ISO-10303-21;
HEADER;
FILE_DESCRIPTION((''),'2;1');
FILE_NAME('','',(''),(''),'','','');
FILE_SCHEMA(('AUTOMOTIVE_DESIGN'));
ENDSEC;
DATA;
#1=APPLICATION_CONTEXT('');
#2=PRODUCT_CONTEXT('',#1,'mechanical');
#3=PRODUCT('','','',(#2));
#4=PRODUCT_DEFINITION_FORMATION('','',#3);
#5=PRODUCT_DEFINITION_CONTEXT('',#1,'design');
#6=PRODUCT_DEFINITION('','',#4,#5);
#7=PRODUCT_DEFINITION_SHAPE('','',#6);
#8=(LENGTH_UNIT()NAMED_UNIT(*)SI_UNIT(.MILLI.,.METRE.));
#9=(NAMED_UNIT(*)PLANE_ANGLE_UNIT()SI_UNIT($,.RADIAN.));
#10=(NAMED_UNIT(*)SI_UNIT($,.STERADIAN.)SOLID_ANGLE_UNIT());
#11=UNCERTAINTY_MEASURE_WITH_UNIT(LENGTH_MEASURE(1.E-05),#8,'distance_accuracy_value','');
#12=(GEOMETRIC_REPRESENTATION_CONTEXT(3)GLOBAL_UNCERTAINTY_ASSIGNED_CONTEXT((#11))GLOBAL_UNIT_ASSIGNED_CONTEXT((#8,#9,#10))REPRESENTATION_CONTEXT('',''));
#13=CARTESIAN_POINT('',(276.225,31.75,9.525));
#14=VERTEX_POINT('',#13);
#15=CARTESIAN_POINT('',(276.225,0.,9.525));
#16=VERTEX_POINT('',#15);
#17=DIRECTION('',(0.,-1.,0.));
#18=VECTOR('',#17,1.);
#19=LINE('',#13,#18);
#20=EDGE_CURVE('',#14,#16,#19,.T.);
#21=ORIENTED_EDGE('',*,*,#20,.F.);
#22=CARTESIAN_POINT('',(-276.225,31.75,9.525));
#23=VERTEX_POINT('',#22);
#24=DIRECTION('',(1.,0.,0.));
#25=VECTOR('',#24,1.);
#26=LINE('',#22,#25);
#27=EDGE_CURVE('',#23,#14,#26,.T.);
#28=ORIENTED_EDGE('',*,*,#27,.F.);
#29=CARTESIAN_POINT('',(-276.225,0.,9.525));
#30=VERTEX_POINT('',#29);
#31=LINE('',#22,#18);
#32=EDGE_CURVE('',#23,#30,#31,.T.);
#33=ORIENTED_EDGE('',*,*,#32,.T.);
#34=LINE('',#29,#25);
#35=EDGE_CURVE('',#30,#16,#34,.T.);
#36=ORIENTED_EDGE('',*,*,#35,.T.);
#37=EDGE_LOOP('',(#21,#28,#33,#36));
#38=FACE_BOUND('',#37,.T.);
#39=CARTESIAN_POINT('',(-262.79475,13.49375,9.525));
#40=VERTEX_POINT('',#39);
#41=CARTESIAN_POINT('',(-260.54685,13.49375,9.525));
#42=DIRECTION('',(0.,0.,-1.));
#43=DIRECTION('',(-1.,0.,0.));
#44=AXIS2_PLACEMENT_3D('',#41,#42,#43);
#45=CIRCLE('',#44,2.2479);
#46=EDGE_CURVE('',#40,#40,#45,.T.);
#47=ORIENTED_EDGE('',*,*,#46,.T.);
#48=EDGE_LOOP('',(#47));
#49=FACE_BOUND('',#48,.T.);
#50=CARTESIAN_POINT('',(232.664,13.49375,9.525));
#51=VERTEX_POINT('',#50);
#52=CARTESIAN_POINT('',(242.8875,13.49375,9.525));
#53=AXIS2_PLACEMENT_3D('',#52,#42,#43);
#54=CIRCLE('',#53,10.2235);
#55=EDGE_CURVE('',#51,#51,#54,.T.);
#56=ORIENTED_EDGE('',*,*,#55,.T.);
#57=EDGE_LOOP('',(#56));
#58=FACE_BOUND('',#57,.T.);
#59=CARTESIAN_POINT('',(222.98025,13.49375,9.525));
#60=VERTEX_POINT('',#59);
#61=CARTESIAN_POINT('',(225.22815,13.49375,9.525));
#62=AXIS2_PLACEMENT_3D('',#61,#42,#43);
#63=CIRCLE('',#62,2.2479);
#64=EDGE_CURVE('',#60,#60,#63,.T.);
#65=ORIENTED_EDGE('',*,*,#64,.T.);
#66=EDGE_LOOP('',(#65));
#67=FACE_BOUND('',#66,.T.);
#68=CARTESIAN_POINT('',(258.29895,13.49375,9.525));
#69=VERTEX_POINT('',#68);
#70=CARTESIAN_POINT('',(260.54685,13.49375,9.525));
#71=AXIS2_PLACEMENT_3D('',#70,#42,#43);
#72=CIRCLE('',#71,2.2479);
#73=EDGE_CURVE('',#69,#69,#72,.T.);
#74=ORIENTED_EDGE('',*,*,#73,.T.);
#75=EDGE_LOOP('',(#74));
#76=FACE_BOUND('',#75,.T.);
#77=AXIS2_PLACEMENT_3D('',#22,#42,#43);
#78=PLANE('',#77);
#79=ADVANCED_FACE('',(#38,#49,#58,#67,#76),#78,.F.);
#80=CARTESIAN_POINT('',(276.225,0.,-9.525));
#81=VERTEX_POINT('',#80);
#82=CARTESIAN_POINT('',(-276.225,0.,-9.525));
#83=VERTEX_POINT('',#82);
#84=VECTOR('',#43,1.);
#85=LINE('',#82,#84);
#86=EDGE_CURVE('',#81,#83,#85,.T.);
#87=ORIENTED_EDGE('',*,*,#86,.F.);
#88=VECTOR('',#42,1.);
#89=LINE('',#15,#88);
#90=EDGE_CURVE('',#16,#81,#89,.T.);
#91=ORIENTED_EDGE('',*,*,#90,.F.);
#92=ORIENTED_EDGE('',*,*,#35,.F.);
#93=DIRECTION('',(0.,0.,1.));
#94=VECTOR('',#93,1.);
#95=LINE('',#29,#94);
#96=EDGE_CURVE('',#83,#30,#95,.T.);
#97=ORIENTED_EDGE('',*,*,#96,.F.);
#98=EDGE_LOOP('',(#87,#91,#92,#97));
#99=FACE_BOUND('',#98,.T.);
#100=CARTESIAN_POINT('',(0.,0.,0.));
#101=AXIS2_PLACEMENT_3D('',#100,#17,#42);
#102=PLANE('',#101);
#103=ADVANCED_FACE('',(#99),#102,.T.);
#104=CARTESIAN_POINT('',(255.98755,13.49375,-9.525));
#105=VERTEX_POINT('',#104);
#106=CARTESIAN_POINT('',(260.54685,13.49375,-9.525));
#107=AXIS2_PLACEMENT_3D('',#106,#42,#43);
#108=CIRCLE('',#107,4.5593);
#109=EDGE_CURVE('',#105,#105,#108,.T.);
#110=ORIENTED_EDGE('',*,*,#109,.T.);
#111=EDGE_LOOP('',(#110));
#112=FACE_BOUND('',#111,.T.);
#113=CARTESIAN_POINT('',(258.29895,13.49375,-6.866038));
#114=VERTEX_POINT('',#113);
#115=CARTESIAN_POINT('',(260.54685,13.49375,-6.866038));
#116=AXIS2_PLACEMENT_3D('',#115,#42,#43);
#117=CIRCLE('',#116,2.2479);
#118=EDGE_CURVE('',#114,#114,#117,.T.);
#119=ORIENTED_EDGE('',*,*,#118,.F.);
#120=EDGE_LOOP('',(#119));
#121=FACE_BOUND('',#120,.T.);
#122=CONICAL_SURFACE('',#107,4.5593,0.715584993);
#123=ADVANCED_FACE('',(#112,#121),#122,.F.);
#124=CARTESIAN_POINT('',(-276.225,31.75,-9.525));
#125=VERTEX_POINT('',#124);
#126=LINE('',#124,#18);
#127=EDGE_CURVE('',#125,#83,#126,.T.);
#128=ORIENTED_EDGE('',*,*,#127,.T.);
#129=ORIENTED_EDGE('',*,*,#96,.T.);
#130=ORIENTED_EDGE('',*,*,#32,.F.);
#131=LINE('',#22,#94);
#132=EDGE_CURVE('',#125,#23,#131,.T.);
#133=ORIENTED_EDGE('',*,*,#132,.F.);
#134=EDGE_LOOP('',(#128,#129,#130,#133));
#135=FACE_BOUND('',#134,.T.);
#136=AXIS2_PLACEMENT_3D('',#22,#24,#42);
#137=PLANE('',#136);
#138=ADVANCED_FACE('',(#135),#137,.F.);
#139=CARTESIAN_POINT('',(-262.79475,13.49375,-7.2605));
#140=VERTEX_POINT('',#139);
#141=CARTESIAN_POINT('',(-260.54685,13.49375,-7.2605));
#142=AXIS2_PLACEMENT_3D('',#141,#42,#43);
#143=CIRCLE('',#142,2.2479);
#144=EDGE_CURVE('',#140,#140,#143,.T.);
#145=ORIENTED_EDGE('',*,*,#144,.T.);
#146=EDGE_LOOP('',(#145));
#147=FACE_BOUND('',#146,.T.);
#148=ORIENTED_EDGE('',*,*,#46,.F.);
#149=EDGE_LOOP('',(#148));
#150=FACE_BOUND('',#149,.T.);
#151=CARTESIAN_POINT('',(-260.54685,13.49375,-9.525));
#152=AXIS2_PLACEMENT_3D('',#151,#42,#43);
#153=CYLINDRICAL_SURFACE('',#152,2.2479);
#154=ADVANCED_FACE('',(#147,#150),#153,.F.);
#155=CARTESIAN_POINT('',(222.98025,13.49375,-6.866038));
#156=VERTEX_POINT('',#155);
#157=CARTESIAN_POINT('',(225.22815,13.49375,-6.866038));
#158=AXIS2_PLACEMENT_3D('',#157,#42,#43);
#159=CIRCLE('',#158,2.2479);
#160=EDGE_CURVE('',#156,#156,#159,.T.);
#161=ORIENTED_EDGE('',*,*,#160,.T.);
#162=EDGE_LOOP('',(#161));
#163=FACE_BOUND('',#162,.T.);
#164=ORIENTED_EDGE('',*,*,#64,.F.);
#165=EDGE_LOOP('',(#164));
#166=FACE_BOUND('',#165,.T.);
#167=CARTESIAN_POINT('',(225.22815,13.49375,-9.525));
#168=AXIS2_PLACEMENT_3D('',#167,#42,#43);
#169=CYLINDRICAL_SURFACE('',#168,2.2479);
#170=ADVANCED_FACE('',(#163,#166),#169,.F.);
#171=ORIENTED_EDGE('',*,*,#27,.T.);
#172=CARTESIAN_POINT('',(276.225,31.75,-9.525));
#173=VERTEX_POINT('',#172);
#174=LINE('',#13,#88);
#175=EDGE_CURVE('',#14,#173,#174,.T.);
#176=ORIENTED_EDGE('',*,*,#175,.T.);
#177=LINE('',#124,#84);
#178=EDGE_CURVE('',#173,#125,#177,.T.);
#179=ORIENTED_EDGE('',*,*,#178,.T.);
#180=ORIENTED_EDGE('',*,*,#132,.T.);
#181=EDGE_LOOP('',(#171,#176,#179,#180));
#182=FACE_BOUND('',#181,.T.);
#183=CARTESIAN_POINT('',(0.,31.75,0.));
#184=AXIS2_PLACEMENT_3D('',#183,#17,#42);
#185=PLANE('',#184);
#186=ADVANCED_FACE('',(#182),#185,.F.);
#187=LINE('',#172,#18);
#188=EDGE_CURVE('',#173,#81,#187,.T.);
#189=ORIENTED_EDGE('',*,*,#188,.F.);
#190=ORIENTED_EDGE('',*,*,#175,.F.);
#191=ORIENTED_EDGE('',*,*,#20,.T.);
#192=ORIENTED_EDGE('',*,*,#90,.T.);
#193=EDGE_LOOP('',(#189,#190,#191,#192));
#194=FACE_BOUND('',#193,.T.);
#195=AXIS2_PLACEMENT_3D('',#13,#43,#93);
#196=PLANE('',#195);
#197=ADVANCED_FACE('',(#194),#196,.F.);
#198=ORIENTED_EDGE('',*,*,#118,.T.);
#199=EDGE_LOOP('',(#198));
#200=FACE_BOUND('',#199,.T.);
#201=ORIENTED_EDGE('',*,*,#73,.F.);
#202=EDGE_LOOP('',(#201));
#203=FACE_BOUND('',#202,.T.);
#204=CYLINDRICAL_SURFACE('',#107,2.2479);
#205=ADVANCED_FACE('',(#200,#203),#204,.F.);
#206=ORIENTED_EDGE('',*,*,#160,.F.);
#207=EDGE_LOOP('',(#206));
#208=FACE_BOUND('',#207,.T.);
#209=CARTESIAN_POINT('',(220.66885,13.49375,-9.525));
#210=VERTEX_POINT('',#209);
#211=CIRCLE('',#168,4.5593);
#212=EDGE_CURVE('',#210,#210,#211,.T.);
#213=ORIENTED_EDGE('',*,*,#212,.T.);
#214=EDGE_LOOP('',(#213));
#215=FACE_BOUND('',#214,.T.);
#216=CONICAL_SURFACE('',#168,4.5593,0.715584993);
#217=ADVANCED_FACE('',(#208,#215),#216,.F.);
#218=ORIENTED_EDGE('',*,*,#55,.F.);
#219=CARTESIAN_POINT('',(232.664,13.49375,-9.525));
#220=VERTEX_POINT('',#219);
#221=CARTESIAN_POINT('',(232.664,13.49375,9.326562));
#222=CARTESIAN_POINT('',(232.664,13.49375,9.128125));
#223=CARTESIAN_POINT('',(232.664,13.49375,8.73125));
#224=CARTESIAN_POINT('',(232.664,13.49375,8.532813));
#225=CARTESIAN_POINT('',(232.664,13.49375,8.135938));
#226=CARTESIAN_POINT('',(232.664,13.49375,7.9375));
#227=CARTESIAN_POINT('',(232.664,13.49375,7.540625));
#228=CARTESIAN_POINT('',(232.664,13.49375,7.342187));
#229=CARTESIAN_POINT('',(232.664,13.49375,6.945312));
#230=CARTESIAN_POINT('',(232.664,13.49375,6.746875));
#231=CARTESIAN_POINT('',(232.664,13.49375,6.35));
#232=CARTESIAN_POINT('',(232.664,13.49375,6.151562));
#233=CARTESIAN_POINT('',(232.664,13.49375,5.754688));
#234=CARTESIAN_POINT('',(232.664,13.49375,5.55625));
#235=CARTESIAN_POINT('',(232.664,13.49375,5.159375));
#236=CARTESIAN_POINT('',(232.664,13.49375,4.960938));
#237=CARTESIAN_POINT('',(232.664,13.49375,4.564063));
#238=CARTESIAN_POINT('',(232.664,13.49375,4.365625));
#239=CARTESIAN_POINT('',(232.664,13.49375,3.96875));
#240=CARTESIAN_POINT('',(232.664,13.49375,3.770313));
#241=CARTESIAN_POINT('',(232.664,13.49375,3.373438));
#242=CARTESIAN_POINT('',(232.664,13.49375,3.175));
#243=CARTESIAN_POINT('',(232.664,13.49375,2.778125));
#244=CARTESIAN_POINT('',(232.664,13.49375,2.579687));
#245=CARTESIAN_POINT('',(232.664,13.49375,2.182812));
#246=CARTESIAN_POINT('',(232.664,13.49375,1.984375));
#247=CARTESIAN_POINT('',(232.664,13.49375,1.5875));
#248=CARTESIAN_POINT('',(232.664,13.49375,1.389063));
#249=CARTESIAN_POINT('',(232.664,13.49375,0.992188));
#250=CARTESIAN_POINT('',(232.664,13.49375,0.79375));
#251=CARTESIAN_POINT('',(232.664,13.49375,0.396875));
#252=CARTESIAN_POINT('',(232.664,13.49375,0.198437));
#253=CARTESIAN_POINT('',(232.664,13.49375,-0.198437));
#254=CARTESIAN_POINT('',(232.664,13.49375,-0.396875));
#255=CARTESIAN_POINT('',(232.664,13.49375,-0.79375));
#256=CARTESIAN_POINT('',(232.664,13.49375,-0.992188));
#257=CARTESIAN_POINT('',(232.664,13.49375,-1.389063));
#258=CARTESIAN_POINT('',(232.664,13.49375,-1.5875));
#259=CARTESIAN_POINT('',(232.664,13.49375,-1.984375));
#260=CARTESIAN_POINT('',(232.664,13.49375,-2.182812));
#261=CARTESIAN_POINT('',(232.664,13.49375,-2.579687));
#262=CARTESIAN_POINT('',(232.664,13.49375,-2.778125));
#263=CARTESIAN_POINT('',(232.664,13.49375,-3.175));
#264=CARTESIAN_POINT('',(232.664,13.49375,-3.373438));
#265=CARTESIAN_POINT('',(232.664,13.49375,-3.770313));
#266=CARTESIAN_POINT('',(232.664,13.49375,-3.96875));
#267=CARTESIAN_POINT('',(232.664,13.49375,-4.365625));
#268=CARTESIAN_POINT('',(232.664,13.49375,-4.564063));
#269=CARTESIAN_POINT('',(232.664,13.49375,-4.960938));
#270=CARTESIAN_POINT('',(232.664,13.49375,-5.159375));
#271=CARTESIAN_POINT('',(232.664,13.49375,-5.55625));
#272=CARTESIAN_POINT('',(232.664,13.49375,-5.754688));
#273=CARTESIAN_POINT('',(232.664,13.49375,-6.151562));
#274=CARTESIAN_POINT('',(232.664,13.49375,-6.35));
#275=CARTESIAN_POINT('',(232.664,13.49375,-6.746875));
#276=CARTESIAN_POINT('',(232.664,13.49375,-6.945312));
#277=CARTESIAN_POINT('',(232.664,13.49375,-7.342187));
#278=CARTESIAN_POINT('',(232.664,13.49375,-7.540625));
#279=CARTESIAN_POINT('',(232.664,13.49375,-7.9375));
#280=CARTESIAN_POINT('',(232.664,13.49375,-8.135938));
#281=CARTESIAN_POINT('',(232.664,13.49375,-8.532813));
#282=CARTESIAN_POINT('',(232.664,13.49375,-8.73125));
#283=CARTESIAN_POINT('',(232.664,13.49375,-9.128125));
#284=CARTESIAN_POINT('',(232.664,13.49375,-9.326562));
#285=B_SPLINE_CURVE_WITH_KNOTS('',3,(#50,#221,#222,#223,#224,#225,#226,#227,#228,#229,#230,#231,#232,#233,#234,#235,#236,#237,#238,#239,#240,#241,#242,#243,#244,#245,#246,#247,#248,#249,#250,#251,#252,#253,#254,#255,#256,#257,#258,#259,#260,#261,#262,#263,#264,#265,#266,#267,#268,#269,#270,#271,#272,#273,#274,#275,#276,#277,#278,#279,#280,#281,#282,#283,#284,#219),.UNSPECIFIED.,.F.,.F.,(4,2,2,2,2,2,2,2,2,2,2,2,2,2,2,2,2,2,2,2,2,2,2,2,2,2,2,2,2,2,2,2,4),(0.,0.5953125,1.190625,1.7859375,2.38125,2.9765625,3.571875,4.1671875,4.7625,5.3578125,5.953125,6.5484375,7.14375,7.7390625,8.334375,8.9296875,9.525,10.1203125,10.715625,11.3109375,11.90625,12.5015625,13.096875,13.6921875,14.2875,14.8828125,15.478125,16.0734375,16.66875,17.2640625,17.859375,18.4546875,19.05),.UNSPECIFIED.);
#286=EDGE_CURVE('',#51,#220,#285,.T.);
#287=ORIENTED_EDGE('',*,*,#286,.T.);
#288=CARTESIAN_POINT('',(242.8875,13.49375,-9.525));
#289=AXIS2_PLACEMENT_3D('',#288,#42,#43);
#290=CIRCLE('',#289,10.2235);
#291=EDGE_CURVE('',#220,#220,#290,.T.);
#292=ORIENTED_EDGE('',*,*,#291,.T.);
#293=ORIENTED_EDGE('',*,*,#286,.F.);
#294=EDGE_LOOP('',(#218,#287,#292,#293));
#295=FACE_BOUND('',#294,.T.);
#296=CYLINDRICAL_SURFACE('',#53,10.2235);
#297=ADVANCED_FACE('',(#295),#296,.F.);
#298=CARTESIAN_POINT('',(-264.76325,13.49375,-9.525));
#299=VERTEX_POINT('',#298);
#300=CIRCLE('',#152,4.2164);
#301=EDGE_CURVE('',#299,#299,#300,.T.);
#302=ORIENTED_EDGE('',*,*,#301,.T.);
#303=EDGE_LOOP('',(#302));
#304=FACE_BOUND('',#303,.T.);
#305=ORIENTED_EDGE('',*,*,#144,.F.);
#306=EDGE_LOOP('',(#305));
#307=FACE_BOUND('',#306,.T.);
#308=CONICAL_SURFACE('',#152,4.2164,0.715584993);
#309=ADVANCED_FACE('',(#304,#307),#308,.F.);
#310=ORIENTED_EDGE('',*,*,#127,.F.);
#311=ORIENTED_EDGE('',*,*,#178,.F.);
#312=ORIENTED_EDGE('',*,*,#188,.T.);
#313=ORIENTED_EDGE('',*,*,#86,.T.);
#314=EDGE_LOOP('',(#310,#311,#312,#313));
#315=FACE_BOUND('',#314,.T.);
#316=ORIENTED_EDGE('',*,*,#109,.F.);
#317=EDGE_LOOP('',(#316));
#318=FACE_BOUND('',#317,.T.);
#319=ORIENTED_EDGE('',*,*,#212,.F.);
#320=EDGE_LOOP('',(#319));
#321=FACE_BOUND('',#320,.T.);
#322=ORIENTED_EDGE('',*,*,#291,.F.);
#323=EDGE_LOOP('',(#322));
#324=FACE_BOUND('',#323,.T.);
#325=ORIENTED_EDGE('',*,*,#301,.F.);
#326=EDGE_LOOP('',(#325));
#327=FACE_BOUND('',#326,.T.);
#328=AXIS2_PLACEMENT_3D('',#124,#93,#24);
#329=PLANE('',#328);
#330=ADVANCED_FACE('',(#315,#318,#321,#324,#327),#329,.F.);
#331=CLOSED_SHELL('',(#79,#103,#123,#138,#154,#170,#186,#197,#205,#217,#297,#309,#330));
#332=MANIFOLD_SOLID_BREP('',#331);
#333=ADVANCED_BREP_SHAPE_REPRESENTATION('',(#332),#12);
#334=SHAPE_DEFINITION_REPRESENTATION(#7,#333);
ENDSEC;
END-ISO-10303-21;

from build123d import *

# Parameters (mm, degrees)
SKETCH1_W                                         = 552.45
SKETCH1_H                                         = 19.05
BOSS_EXTRUDE1_DEPTH                               = 31.75
SKETCH2_R                                         = 10.2235
CUT_EXTRUDE1_DEPTH                                = 279.695560828
CSK_FOR_8_FLAT_HEAD_SOCKET_CAP_SCREW1_D           = 4.4958
CSK_FOR_8_FLAT_HEAD_SOCKET_CAP_SCREW1_CSINK_D     = 9.1186
CSK_FOR_8_FLAT_HEAD_SOCKET_CAP_SCREW1_CSINK_ANGLE = 82
CSK_FOR_8_FLAT_HEAD_MACHINE_SCREW1_D              = 4.4958
CSK_FOR_8_FLAT_HEAD_MACHINE_SCREW1_CSINK_D        = 8.4328
CSK_FOR_8_FLAT_HEAD_MACHINE_SCREW1_CSINK_ANGLE    = 82


with BuildPart() as part:
    # Sketch1 → Boss-Extrude1 (new body)
    with BuildSketch(Plane(origin=(0, 0, 0), x_dir=(1, 0, 0), z_dir=(0, 1, 0))):
        Rectangle(SKETCH1_W, SKETCH1_H)
    extrude(amount=BOSS_EXTRUDE1_DEPTH)

    # Sketch2 → Cut-Extrude1 (cut, through all)
    with BuildSketch(Plane(origin=(0, 0, -9.525), x_dir=(-1, 0, 0), z_dir=(0, 0, -1))):
        with Locations((-242.8875, 13.49375)):
            Circle(SKETCH2_R)
    extrude(amount=-CUT_EXTRUDE1_DEPTH, mode=Mode.SUBTRACT)

    # CSK for #8 Flat Head Socket Cap Screw1 (through all)
    with Locations(Plane(origin=(0, 0, -9.525), x_dir=(1, 0, 0), z_dir=(0, 0, -1))):
        with Locations((260.54685, -13.49375), (225.22815, -13.49375)):
            CounterSinkHole(CSK_FOR_8_FLAT_HEAD_SOCKET_CAP_SCREW1_D / 2, CSK_FOR_8_FLAT_HEAD_SOCKET_CAP_SCREW1_CSINK_D / 2, counter_sink_angle=CSK_FOR_8_FLAT_HEAD_SOCKET_CAP_SCREW1_CSINK_ANGLE)

    # CSK for #8 Flat Head Machine Screw1 (through all)
    with Locations(Plane(origin=(0, 0, -9.525), x_dir=(-1, 0, 0), z_dir=(0, 0, -1))):
        with Locations((260.54685, 13.49375)):
            CounterSinkHole(CSK_FOR_8_FLAT_HEAD_MACHINE_SCREW1_D / 2, CSK_FOR_8_FLAT_HEAD_MACHINE_SCREW1_CSINK_D / 2, counter_sink_angle=CSK_FOR_8_FLAT_HEAD_MACHINE_SCREW1_CSINK_ANGLE)


solid = part.part
